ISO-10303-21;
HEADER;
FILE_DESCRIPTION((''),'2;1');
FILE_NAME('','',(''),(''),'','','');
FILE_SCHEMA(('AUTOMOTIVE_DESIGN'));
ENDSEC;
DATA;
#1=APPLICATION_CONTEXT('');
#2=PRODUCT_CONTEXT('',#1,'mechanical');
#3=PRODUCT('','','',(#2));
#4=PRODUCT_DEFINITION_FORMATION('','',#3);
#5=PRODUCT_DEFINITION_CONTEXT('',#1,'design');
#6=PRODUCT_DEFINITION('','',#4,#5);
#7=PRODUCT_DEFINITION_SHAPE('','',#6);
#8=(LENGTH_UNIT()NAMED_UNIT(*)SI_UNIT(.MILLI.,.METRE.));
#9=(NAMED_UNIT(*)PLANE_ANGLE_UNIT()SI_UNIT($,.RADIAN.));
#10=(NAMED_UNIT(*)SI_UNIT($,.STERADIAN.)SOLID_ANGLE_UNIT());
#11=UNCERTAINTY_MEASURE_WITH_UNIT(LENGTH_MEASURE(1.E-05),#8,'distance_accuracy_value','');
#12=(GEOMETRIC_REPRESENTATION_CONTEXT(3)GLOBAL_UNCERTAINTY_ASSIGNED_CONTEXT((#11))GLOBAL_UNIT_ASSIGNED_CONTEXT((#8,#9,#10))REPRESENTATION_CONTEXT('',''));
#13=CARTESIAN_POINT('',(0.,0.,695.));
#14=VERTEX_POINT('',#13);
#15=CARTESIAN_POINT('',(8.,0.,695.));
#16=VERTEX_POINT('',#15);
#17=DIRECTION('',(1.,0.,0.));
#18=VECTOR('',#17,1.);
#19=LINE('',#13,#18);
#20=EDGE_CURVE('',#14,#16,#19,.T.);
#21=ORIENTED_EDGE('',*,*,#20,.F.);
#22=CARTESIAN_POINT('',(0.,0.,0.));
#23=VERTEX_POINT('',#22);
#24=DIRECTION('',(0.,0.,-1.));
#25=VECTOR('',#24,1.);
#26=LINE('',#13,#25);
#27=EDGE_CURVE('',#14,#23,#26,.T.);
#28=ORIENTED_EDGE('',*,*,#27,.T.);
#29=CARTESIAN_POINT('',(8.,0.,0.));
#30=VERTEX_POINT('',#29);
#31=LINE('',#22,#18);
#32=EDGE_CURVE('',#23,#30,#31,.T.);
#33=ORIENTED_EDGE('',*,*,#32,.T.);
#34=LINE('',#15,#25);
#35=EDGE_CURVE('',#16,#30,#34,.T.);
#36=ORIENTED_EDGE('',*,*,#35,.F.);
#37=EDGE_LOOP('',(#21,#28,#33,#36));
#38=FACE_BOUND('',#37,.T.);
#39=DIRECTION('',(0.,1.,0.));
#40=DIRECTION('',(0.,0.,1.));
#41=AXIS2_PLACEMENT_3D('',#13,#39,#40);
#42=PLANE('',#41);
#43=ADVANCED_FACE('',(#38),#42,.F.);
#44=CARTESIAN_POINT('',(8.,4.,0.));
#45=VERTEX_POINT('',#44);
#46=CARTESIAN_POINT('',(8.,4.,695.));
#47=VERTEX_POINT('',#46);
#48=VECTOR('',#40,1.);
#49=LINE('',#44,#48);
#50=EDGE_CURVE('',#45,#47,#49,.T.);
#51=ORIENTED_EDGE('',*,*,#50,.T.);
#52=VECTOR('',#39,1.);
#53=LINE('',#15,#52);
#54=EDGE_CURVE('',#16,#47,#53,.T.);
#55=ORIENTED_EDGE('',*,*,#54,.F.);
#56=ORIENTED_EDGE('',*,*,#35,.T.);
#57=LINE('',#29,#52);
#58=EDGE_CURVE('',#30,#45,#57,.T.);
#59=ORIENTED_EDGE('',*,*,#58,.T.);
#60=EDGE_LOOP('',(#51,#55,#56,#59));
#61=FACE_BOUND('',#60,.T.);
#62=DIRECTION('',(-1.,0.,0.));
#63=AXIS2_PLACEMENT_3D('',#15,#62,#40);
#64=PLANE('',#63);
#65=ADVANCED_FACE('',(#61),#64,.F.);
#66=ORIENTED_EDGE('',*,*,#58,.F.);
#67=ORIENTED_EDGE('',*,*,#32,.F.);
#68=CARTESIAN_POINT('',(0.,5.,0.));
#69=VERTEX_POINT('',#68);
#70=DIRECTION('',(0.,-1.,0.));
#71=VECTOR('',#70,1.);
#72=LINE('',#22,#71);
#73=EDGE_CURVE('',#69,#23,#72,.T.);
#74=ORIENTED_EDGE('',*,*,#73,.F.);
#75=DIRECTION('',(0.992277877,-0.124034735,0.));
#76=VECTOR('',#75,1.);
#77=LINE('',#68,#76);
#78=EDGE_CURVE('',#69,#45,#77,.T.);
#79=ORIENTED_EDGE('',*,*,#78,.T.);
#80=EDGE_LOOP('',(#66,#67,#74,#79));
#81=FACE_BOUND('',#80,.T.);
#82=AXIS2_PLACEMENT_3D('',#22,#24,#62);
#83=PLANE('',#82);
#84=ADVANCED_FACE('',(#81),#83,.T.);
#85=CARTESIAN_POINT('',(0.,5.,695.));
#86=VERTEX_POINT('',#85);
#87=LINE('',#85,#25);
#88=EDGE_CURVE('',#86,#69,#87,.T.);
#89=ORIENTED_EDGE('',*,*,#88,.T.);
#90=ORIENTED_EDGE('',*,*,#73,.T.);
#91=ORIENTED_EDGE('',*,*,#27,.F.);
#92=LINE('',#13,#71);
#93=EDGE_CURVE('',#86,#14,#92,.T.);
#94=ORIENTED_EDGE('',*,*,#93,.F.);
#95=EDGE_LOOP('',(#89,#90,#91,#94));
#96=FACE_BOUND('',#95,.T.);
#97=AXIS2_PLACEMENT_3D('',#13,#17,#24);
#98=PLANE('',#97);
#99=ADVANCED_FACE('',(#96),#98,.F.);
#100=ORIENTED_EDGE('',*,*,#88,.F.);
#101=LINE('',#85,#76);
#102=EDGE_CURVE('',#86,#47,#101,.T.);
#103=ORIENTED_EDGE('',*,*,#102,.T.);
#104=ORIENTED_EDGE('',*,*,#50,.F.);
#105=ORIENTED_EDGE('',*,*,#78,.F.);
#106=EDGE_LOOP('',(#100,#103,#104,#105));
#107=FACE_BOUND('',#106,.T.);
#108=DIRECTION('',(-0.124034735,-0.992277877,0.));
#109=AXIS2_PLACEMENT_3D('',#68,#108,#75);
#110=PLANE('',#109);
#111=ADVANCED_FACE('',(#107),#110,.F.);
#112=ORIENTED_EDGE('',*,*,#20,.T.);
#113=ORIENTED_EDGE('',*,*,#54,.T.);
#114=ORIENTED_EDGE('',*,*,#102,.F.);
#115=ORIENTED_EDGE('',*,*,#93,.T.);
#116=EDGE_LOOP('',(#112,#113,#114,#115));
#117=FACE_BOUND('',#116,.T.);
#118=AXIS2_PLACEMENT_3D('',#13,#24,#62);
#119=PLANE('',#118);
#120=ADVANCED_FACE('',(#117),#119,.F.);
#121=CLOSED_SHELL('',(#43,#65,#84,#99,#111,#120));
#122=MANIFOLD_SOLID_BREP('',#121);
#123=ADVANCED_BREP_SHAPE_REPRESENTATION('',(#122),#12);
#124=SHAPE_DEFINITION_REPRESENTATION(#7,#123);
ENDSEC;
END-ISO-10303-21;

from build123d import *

# Parameters (mm, degrees)
SKIZZE1_W                       = 8
SKIZZE1_H                       = 5
AUFSATZ_LINEAR_AUSTRAGEN1_DEPTH = 695
SCHNITT_LINEAR_AUSTRAGEN1_DEPTH = 696.064025828


with BuildPart() as part:
    # Skizze1 → Aufsatz-Linear austragen1 (new body)
    with BuildSketch(Plane.XY):
        with Locations((4, 2.5)):
            Rectangle(SKIZZE1_W, SKIZZE1_H)
    extrude(amount=AUFSATZ_LINEAR_AUSTRAGEN1_DEPTH)

    # Skizze2 → Schnitt-Linear austragen1 (cut, through all)
    with BuildSketch(Plane.XY.offset(695)):
        Polygon((0, 5), (8, 4), (8, 5), align=None)
    extrude(amount=-SCHNITT_LINEAR_AUSTRAGEN1_DEPTH, mode=Mode.SUBTRACT)


solid = part.part
